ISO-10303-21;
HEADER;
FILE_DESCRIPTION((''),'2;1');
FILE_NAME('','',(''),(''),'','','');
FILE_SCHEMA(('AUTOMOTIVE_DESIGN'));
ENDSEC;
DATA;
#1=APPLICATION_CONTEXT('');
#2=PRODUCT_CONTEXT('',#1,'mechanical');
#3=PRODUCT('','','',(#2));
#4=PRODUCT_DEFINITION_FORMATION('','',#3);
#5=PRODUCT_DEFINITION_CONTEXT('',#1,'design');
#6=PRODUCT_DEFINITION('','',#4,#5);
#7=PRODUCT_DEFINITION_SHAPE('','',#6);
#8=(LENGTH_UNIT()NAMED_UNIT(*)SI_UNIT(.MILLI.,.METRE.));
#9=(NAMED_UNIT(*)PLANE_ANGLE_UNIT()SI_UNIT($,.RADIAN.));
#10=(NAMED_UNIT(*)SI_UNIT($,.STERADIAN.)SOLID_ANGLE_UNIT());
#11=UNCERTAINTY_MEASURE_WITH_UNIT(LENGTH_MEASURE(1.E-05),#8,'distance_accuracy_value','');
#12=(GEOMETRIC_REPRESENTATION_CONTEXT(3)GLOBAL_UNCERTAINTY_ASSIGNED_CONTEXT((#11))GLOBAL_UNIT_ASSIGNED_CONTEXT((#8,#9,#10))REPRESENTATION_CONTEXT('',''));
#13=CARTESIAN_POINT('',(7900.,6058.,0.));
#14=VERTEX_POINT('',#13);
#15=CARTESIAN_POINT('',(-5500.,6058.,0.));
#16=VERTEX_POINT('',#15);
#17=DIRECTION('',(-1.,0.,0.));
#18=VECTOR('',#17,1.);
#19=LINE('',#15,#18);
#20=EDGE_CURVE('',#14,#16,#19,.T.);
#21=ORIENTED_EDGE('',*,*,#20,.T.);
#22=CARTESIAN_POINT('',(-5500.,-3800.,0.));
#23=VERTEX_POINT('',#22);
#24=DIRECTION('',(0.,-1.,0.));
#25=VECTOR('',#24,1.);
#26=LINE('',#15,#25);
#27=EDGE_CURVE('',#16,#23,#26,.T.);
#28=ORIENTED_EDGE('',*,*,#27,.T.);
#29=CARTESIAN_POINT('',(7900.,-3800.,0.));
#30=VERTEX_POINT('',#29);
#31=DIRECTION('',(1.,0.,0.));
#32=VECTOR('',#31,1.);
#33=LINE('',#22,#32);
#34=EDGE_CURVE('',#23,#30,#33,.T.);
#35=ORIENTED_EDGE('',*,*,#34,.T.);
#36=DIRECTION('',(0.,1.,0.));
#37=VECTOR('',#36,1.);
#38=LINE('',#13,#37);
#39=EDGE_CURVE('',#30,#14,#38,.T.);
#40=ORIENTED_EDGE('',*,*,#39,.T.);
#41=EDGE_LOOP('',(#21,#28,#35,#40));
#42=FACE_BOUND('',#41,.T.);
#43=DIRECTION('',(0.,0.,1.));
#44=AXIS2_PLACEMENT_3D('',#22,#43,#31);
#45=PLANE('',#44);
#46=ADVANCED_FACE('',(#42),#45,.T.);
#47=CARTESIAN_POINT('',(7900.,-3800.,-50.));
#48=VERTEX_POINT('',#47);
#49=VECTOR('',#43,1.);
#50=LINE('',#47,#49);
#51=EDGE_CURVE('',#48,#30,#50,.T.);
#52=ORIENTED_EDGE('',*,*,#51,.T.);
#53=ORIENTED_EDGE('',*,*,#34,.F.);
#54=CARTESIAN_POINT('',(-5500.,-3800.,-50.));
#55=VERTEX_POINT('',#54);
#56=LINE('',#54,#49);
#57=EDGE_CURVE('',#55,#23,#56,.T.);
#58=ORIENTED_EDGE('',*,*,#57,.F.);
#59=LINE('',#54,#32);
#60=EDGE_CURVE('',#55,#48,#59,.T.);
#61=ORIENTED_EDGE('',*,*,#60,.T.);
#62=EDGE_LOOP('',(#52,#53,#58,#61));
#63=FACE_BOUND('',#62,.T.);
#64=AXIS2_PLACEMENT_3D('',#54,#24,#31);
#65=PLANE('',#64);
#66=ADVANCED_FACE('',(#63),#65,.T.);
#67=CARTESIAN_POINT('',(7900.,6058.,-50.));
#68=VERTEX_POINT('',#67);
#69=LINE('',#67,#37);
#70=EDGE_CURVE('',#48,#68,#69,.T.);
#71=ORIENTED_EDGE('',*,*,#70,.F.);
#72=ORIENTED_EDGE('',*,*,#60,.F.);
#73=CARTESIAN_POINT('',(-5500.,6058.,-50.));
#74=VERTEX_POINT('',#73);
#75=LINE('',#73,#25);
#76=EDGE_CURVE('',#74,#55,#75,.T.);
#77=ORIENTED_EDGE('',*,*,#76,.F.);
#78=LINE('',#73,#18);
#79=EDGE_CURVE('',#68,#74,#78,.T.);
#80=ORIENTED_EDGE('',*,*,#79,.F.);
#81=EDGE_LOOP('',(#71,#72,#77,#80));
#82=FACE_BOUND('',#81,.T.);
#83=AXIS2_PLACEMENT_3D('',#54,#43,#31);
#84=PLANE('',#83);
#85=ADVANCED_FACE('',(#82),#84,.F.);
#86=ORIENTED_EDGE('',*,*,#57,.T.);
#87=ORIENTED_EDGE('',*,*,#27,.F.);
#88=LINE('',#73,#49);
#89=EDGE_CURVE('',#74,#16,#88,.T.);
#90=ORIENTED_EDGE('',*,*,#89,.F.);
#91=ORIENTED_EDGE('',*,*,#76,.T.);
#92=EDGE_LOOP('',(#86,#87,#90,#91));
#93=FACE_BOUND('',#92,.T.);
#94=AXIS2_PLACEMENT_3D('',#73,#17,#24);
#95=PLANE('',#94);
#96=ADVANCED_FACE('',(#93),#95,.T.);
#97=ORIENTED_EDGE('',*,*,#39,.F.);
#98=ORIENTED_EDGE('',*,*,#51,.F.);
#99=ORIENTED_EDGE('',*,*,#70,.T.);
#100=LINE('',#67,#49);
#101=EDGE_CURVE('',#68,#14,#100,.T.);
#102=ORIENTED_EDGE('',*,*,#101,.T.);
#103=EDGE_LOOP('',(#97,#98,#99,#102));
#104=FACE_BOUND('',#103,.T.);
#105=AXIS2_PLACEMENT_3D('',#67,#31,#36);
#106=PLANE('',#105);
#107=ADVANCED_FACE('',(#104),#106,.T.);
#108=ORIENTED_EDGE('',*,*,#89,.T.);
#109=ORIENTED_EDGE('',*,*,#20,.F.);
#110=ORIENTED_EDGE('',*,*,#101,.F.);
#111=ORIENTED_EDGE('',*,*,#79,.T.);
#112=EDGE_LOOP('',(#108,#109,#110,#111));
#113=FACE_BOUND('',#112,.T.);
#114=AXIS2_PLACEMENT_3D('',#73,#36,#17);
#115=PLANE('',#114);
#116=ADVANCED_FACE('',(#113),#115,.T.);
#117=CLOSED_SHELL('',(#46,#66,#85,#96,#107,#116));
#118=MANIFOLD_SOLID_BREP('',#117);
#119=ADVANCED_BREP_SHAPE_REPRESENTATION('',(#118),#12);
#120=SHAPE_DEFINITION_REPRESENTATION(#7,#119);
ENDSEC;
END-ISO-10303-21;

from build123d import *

# Parameters (mm, degrees)
SKETCH1_W      = 13400
SKETCH1_H      = 9858
EXTRUDE1_DEPTH = 50


with BuildPart() as part:
    # Sketch1 → Extrude1 (new body)
    with BuildSketch(Plane.XY):
        with Locations((1200, 1129)):
            Rectangle(SKETCH1_W, SKETCH1_H)
    extrude(amount=-EXTRUDE1_DEPTH)


solid = part.part
